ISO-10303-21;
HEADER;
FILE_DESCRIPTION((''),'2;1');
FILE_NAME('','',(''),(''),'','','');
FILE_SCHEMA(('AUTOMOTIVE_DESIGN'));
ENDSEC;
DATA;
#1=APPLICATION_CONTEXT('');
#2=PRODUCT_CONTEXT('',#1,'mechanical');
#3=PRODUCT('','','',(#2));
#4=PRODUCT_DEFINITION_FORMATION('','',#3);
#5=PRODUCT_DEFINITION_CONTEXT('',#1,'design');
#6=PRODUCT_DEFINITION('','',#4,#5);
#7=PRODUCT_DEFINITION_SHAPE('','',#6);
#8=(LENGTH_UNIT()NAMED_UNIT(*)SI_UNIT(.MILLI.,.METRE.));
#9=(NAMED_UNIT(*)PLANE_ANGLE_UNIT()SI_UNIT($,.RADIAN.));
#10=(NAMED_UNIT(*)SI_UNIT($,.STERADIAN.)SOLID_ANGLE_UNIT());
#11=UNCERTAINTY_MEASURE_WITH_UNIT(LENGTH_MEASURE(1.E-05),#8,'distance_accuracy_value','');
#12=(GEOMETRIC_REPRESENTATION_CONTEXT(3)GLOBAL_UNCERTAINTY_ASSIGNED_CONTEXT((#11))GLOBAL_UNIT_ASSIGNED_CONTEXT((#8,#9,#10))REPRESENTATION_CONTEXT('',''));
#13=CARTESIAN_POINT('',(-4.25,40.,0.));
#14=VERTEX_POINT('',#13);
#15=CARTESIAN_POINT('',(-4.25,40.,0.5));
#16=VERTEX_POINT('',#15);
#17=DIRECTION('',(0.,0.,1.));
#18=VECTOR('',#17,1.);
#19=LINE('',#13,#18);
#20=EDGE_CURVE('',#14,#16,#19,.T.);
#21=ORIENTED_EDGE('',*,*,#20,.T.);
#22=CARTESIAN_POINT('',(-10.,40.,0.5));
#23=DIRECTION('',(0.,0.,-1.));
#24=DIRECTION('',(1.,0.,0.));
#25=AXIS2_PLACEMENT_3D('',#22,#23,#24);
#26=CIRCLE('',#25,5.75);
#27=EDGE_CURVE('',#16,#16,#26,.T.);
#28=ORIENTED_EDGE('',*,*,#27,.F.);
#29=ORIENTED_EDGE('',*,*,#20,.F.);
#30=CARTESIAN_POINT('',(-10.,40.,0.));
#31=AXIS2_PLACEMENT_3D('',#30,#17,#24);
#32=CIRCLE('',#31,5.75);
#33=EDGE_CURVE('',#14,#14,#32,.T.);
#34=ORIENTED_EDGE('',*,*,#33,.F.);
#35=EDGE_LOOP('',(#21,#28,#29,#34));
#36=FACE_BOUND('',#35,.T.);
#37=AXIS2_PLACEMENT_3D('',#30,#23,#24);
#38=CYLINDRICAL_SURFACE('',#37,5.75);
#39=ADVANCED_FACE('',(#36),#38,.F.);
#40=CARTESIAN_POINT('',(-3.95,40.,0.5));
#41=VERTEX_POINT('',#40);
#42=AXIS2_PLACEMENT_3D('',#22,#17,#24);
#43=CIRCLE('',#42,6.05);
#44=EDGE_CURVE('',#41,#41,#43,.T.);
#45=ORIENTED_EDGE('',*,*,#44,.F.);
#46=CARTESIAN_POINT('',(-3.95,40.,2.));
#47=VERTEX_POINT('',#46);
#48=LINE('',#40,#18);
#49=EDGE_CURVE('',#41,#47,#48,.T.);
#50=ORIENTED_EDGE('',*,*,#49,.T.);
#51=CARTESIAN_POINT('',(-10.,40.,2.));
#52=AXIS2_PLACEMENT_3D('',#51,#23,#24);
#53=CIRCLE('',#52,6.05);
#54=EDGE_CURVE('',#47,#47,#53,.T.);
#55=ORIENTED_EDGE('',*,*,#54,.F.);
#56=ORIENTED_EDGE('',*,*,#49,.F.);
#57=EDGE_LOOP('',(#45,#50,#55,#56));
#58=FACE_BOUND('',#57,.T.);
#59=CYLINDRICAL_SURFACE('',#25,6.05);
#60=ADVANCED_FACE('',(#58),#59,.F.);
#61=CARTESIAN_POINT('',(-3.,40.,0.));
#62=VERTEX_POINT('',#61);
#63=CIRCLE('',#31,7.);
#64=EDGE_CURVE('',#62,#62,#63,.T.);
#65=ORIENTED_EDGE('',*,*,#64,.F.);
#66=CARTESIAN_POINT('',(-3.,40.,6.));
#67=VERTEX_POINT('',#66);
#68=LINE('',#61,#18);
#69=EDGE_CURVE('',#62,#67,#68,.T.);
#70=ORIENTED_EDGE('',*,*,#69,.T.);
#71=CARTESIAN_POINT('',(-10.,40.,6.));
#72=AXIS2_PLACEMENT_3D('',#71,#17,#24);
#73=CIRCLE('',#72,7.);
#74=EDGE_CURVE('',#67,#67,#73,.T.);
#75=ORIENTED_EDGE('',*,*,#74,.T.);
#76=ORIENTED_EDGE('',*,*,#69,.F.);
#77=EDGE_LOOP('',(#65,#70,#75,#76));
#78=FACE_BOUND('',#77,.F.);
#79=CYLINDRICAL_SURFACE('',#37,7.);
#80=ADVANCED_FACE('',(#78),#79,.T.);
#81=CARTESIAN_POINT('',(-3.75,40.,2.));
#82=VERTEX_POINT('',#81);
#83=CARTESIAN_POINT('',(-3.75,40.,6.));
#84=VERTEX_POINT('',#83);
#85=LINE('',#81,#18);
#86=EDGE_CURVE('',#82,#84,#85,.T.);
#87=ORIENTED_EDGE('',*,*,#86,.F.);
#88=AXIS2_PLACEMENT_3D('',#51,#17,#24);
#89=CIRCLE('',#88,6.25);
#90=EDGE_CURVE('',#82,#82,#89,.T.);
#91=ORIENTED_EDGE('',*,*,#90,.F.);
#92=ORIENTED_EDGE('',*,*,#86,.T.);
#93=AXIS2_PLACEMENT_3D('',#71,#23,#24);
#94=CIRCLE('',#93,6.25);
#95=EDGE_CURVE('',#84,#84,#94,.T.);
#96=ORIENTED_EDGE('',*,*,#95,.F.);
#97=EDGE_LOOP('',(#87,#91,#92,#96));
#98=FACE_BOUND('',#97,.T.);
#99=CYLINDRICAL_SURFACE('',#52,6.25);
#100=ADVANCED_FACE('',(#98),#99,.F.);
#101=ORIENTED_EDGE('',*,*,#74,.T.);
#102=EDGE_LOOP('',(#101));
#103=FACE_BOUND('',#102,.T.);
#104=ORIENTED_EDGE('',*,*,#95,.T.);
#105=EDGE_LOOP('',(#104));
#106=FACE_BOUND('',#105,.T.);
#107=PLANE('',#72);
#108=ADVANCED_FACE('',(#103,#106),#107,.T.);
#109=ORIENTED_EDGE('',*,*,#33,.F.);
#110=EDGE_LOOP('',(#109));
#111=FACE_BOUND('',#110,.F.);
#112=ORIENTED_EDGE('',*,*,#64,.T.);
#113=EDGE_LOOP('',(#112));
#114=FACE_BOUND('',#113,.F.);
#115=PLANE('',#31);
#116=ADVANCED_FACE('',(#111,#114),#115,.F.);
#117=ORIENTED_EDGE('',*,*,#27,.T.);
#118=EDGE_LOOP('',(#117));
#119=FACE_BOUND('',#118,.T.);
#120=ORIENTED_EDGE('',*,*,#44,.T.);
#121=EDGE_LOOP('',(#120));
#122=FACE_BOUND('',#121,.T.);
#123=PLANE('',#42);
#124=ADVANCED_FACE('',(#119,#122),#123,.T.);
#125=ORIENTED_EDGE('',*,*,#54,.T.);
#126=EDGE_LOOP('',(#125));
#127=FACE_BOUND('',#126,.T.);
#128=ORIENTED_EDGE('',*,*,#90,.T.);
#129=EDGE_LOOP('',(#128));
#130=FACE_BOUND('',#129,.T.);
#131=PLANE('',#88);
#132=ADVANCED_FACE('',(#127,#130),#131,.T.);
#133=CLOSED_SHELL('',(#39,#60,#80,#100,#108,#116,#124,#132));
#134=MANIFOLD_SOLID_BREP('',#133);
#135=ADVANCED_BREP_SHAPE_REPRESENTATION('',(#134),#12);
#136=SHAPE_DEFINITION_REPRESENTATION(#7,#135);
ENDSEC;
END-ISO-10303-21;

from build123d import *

# Parameters (mm, degrees)
CYLINDER011_R     = 6.25
CYLINDER011_DEPTH = 10
CYLINDER010_R     = 6.05
CYLINDER010_DEPTH = 10
CYLINDER009_R     = 5.75
CYLINDER009_DEPTH = 10
CYLINDER008_R     = 7
CYLINDER008_DEPTH = 6


with BuildPart() as bluetmp06:
    # Cylinder011 → Cylinder011 (new body)
    with BuildSketch(Plane.XY.offset(2)):
        Circle(CYLINDER011_R)
    extrude(amount=CYLINDER011_DEPTH)


with BuildPart() as bluetmp04:
    # Cylinder010 → Cylinder010 (new body)
    with BuildSketch(Plane.XY.offset(0.5)):
        Circle(CYLINDER010_R)
    extrude(amount=CYLINDER010_DEPTH)


with BuildPart() as bluetmp02:
    # Cylinder009 → Cylinder009 (new body)
    with BuildSketch(Plane.XY):
        Circle(CYLINDER009_R)
    extrude(amount=CYLINDER009_DEPTH)


with BuildPart() as blueholder:
    # Cylinder008 → Cylinder008 (new body)
    with BuildSketch(Plane.XY):
        Circle(CYLINDER008_R)
    extrude(amount=CYLINDER008_DEPTH)

    # Cut005: cut BlueTmp02
    add(bluetmp02.part, mode=Mode.SUBTRACT)

    # Cut006: cut BlueTmp04
    add(bluetmp04.part, mode=Mode.SUBTRACT)

    # Cut007: cut BlueTmp06
    add(bluetmp06.part, mode=Mode.SUBTRACT)


with BuildPart() as blueholder_1:
    # Cut007 placement: moved
    add(blueholder.part.moved(Location((-10, 40, 0))))


solid = blueholder_1.part
